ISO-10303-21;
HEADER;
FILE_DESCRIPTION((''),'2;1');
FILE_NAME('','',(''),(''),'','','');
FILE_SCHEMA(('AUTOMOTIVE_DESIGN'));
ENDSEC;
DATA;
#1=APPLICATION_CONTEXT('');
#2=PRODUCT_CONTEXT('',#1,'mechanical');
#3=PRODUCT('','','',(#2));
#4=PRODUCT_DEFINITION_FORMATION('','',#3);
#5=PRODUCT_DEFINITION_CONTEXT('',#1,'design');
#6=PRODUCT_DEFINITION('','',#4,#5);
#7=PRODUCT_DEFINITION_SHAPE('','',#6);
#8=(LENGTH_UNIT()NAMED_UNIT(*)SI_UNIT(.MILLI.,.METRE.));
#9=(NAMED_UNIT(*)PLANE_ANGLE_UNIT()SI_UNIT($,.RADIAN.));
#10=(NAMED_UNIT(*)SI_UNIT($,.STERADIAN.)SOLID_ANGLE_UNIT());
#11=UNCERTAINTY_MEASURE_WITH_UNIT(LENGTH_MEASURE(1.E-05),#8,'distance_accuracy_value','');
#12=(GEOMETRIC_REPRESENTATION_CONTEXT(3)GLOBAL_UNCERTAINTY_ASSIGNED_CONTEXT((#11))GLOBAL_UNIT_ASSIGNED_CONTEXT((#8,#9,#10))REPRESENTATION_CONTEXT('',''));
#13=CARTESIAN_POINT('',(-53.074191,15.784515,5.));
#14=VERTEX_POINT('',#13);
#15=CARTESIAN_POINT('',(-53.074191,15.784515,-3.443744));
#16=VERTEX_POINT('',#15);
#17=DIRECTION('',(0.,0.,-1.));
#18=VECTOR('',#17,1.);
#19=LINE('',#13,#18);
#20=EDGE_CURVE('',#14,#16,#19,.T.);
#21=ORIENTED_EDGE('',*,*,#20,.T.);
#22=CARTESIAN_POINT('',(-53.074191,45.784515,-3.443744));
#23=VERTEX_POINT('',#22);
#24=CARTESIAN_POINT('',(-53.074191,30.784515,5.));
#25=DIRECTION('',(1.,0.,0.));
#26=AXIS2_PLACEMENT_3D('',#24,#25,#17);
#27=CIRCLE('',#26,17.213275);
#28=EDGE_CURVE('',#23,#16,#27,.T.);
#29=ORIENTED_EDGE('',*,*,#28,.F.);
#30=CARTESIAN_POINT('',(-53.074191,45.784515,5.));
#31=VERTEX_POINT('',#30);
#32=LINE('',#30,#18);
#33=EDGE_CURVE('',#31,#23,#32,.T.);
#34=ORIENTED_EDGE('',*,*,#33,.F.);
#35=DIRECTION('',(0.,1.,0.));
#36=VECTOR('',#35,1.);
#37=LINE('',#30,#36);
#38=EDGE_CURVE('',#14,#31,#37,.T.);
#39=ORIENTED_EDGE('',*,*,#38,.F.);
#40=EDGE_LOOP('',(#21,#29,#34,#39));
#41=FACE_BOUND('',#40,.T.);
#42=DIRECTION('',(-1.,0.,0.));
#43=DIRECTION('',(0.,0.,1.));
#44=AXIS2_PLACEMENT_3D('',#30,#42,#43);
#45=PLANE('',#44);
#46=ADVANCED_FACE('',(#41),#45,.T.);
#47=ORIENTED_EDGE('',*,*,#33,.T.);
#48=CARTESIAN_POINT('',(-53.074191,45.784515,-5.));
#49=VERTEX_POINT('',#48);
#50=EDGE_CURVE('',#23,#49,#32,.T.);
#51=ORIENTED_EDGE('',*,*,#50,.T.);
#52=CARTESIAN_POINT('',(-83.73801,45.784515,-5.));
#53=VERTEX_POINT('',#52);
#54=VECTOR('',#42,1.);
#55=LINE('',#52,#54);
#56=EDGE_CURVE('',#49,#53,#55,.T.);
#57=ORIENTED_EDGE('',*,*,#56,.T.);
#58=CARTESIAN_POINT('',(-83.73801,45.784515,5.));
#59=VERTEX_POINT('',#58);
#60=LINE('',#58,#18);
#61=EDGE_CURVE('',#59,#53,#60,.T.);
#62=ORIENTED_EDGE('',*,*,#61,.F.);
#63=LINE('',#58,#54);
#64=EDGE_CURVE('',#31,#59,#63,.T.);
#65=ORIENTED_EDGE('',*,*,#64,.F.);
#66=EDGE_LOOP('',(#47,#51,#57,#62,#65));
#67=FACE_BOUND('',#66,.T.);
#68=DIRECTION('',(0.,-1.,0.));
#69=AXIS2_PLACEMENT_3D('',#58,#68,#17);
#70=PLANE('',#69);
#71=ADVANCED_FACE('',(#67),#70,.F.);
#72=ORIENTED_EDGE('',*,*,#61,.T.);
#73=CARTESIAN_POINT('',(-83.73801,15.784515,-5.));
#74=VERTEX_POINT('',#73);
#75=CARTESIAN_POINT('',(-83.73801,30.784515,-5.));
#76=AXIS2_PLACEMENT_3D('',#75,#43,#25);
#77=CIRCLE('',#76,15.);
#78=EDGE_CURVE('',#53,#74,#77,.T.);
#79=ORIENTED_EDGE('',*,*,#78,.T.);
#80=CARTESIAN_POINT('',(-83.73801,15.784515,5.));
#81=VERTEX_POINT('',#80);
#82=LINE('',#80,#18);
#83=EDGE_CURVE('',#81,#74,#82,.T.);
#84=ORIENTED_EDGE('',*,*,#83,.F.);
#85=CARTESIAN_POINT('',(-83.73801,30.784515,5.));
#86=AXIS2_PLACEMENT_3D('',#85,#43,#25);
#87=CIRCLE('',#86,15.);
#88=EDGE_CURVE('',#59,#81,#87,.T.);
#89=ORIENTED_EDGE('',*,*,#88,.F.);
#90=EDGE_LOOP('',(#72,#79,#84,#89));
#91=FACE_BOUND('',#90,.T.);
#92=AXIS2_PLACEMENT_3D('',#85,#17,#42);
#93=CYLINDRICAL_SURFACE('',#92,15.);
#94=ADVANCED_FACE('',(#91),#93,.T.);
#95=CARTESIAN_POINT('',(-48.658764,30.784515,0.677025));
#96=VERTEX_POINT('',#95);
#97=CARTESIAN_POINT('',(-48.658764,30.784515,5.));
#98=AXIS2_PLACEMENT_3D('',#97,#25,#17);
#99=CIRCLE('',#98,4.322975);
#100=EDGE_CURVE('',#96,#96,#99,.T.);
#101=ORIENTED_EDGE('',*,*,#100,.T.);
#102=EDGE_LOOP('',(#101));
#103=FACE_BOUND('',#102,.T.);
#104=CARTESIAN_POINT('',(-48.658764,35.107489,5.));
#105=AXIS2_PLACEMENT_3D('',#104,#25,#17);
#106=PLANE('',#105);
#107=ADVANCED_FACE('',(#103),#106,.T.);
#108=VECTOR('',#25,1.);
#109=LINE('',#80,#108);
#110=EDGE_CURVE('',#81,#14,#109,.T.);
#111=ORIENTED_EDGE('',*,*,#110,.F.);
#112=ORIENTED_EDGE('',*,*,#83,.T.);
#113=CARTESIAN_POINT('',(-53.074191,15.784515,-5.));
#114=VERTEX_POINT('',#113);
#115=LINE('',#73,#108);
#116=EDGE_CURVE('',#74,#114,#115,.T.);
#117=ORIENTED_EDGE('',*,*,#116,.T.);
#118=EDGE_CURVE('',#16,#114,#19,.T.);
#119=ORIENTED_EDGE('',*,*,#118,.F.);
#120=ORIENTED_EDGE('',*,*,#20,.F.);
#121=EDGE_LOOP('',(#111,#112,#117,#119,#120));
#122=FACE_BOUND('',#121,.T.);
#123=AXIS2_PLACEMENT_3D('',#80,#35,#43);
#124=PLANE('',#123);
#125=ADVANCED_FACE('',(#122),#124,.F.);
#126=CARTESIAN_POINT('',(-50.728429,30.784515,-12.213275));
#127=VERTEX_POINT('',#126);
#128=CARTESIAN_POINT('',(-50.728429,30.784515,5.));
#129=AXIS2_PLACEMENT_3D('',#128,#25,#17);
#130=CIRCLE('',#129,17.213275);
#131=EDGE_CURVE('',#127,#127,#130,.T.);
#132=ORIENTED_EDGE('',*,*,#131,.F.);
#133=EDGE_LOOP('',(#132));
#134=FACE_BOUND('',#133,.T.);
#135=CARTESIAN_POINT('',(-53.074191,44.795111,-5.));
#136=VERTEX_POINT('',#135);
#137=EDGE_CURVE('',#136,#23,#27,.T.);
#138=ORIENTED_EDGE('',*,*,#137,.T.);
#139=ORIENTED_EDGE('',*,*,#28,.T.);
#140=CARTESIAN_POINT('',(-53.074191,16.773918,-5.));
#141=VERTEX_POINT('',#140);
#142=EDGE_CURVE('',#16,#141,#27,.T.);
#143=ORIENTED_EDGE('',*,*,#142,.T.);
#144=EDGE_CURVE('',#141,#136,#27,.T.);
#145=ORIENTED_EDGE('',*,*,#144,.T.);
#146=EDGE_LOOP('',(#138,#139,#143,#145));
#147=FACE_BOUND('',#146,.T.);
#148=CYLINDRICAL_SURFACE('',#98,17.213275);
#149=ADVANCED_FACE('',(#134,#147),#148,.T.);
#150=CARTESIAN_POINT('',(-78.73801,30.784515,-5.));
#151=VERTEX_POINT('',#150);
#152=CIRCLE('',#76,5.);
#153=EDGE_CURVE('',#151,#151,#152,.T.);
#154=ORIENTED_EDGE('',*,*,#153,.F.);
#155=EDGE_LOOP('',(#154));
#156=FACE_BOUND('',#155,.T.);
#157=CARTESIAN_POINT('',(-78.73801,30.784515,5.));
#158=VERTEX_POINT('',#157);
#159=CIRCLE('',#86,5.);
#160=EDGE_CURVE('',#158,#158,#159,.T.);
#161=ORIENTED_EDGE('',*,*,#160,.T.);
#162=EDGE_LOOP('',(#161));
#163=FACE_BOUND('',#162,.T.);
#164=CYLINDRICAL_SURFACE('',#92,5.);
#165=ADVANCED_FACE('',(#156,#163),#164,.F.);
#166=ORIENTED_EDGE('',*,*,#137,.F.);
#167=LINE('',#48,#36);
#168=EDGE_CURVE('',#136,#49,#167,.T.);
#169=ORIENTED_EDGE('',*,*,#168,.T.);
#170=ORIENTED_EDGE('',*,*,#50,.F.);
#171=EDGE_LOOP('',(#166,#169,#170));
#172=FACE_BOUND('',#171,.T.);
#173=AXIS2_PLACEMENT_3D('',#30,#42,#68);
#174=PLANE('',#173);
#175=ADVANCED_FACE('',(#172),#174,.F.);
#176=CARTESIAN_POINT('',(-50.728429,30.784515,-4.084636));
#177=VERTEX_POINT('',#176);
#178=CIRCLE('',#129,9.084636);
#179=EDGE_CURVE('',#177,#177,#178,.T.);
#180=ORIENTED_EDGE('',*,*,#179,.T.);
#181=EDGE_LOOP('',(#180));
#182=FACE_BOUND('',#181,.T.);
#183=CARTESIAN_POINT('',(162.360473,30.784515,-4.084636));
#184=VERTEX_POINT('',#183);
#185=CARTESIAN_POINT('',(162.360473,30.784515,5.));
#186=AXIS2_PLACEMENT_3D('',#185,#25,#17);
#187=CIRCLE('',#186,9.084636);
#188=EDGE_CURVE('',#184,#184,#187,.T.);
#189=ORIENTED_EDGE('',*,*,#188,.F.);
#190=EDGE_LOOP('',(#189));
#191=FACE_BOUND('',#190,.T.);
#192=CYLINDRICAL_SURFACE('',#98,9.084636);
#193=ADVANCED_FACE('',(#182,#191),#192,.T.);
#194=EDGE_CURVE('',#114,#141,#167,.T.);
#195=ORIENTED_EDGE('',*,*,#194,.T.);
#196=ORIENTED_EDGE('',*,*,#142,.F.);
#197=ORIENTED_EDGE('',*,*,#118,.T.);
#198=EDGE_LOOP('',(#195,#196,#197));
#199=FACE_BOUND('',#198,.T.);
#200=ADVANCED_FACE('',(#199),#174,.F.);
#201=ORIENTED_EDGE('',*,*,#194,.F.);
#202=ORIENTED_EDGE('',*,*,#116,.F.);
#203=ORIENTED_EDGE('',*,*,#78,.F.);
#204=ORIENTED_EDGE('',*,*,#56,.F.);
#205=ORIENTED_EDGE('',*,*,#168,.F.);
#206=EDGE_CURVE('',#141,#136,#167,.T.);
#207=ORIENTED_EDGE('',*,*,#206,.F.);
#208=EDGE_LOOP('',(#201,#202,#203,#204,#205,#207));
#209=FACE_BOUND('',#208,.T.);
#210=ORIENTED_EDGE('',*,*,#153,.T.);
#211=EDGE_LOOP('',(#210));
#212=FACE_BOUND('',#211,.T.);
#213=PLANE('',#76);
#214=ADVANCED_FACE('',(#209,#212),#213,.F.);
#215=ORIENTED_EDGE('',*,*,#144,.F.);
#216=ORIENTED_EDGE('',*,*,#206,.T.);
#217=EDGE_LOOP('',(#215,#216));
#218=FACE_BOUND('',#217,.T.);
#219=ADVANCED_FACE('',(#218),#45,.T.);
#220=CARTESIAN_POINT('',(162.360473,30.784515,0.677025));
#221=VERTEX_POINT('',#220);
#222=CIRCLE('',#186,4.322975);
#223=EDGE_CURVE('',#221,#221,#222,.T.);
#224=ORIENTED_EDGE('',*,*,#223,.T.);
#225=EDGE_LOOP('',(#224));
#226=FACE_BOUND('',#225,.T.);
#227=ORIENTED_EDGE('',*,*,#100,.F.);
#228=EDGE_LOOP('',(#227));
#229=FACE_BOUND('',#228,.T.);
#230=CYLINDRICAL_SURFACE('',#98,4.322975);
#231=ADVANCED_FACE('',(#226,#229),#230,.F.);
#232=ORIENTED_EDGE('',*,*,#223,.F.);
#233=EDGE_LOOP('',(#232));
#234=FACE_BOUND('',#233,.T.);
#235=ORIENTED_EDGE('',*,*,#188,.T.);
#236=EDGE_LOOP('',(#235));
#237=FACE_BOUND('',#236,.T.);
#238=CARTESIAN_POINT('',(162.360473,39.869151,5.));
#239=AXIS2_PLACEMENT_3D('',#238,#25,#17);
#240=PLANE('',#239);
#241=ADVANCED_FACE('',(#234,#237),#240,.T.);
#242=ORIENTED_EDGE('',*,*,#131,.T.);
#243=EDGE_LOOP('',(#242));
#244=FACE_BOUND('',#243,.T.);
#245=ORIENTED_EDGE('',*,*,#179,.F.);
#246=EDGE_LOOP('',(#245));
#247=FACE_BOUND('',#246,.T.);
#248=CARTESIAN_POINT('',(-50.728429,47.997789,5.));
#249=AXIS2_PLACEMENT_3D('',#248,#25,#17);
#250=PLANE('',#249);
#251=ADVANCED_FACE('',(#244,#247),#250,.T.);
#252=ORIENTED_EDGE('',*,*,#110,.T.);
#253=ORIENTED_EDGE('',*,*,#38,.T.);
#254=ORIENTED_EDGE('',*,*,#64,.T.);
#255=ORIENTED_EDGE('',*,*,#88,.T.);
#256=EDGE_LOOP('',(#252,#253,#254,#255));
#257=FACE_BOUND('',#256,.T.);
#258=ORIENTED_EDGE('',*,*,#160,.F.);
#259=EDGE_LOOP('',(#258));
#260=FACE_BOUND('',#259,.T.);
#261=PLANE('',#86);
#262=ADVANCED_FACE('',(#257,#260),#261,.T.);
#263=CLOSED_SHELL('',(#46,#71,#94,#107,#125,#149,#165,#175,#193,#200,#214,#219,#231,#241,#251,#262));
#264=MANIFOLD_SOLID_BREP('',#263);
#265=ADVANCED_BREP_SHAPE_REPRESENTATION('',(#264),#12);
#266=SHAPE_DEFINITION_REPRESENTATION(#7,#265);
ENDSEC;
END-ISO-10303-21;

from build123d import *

# Parameters (mm, degrees)
SKETCH1_R           = 5
BOSS_EXTRUDE1_DEPTH = 5


with BuildPart() as part:
    # Sketch1 → Boss-Extrude1 (new, symmetric)
    with BuildSketch(Plane.XY):
        with BuildLine():
            Line((-83.738010361, 45.784514601), (-53.074190666, 45.784514601))
            Line((-53.074190666, 45.784514601), (-53.074190666, 15.784514601))
            Line((-53.074190666, 15.784514601), (-83.738010361, 15.784514601))
            ThreePointArc((-83.738010361, 15.784514601), (-98.738010361, 30.784514601), (-83.738010361, 45.784514601))
        make_face()
        with Locations((-83.738010361, 30.784514601)):
            Circle(SKETCH1_R, mode=Mode.SUBTRACT)
    extrude(amount=BOSS_EXTRUDE1_DEPTH, both=True)

    # Sketch2 → Revolve1 (revolve)
    with BuildSketch(Plane.XY.offset(5), mode=Mode.PRIVATE) as revolve1_sk:
        Polygon((-53.074190666, 45.784514601), (-53.074190666, 47.99778913), (-50.728429203, 47.99778913), (-50.728429203, 39.869151099), (162.360473408, 39.869151099), (162.360473408, 35.107489348), (-48.658763898, 35.107489348), (-48.658763898, 30.784514601), (-53.074190666, 30.784514601), align=None)
    revolve(revolve1_sk.sketch.rotate(Axis((-48.658763898, 30.784514601, 5), (-1, 0, 0)), 90), axis=Axis((-48.658763898, 30.784514601, 5), (-1, 0, 0)))


solid = part.part
